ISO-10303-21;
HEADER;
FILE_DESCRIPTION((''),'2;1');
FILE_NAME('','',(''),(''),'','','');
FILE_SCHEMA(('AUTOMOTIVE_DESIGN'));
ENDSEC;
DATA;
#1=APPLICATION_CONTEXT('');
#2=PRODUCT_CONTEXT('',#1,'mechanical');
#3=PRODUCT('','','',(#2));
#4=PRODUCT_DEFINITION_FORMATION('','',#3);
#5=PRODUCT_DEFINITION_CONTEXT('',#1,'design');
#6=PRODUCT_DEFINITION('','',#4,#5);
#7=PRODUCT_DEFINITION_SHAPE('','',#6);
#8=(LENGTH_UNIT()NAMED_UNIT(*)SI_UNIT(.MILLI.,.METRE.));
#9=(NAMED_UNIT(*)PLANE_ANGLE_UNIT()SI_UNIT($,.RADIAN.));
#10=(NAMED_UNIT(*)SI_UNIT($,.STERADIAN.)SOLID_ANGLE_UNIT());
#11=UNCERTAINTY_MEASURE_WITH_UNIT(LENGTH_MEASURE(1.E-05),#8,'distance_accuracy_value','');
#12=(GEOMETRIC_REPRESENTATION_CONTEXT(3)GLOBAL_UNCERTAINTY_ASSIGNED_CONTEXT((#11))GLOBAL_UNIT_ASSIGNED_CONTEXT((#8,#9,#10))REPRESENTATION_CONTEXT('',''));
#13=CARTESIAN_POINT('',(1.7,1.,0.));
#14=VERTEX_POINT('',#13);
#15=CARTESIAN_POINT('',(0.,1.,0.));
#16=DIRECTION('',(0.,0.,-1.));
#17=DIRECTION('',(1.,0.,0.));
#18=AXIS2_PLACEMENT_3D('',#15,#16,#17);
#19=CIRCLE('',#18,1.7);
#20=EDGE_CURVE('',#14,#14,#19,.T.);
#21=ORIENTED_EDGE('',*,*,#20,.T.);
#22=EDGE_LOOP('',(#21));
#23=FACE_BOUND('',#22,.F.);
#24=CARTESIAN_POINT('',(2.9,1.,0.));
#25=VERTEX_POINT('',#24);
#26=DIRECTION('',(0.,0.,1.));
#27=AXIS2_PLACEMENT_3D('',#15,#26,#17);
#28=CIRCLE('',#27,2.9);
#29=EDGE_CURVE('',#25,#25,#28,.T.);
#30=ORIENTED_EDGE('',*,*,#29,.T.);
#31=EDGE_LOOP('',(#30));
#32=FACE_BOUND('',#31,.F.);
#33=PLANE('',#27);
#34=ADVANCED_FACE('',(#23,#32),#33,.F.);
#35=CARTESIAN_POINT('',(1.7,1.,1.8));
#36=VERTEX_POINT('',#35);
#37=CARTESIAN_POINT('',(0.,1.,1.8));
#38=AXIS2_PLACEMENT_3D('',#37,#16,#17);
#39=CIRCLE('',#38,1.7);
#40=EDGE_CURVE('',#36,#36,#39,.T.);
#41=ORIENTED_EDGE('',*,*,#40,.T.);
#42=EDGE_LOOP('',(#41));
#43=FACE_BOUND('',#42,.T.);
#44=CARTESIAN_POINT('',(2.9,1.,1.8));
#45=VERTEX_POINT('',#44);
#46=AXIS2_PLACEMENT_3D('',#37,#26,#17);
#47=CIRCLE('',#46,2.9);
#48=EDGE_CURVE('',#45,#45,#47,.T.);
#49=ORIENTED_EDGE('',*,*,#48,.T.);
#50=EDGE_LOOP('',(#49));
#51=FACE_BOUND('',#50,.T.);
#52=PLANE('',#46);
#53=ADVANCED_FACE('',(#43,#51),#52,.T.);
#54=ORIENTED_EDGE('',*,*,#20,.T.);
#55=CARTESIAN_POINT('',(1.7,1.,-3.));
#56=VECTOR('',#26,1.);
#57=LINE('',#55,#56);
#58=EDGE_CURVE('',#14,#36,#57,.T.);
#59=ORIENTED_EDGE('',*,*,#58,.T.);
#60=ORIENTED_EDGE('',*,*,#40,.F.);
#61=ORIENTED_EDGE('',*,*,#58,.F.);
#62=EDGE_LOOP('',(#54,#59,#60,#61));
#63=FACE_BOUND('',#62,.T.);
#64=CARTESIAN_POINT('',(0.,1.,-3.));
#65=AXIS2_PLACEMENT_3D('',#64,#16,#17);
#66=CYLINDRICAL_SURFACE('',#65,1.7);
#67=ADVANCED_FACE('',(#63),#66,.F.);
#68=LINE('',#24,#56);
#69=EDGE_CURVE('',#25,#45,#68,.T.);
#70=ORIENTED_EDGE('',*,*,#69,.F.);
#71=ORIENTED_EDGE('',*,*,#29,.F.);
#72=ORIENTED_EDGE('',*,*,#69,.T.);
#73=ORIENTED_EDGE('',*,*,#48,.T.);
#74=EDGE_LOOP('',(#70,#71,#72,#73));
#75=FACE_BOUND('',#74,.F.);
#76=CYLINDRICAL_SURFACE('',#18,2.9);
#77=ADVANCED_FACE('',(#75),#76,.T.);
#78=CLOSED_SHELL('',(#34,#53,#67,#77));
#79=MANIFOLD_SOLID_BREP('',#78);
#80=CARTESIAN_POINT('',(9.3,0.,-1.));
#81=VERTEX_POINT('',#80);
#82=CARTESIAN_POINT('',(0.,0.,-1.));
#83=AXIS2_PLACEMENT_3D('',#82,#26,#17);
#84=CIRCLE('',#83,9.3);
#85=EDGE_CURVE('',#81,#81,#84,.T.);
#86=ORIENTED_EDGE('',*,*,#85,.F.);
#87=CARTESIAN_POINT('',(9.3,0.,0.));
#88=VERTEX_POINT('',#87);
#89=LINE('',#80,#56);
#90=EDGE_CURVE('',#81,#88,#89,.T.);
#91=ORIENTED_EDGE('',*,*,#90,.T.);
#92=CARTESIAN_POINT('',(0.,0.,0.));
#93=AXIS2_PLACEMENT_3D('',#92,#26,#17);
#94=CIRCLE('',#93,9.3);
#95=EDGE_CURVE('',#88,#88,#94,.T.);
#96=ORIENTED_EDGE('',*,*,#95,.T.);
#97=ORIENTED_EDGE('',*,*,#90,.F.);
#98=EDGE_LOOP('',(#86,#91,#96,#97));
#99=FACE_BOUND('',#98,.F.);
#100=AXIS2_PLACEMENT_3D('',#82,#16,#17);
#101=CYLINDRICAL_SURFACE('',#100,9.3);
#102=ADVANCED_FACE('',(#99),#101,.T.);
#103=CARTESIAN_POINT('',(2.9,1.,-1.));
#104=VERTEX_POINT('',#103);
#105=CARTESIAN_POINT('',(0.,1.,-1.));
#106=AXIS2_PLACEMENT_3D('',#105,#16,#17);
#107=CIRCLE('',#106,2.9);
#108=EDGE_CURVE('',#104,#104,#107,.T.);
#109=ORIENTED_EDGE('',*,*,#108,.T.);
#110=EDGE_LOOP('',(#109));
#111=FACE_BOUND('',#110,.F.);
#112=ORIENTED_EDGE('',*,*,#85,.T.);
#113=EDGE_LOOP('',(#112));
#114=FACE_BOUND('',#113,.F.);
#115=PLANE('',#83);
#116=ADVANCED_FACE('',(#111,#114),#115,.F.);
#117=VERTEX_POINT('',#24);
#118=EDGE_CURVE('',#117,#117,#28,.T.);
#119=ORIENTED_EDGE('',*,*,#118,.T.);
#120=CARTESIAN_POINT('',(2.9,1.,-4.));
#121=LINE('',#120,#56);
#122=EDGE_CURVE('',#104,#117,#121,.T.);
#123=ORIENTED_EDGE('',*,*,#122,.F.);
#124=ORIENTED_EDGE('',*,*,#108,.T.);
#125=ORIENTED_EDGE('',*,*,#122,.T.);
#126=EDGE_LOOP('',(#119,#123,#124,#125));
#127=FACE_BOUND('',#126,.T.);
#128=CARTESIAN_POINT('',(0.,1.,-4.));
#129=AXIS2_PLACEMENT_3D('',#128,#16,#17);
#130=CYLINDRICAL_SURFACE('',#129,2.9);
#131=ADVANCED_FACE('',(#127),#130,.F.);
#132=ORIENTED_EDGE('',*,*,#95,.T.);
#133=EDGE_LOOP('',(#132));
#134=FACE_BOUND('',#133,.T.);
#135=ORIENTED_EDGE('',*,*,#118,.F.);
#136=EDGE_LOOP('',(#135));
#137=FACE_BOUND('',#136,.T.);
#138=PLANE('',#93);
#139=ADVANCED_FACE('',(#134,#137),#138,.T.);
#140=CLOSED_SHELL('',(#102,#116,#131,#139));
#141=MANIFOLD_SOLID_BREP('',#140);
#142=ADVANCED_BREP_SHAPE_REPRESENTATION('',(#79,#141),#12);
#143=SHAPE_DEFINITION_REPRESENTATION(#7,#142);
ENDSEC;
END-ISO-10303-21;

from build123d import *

# Parameters (mm, degrees)
CYLINDER005_R     = 2
CYLINDER005_DEPTH = 10
CYLINDER004_R     = 1.7
CYLINDER004_DEPTH = 10
CYLINDER003_R     = 2.9
CYLINDER003_DEPTH = 7.8
CYLINDER_R        = 9.3
CYLINDER_DEPTH    = 1
CYLINDER002_R     = 1.7
CYLINDER002_DEPTH = 6
CYLINDER001_R     = 2.9
CYLINDER001_DEPTH = 1.8


with BuildPart() as cilindro005:
    # Cylinder005 → Cylinder005 (new body)
    with BuildSketch(Plane(origin=(0, 1, -4), x_dir=(1, 0, 0), z_dir=(0, 0, 1))):
        Circle(CYLINDER005_R)
    extrude(amount=CYLINDER005_DEPTH)


with BuildPart() as cilindro004:
    # Cylinder004 → Cylinder004 (new body)
    with BuildSketch(Plane.XY.offset(-3)):
        Circle(CYLINDER004_R)
    extrude(amount=CYLINDER004_DEPTH)


with BuildPart() as cut001:
    # Cylinder003 → Cylinder003 (new body)
    with BuildSketch(Plane.XY):
        Circle(CYLINDER003_R)
    extrude(amount=CYLINDER003_DEPTH)

    # Cut001: cut Cilindro004
    add(cilindro004.part, mode=Mode.SUBTRACT)


with BuildPart() as cut001_1:
    # Cut001 placement: moved
    add(cut001.part.moved(Location((0, 1, -4))))


with BuildPart() as cut003:
    # Cylinder → Cylinder (new body)
    with BuildSketch(Plane.XY.offset(-1)):
        Circle(CYLINDER_R)
    extrude(amount=CYLINDER_DEPTH)

    # Cut002: cut Cut001
    add(cut001_1.part, mode=Mode.SUBTRACT)

    # Cut003: cut Cilindro005
    add(cilindro005.part, mode=Mode.SUBTRACT)


with BuildPart() as cilindro002:
    # Cylinder002 → Cylinder002 (new body)
    with BuildSketch(Plane.XY.offset(-3)):
        Circle(CYLINDER002_R)
    extrude(amount=CYLINDER002_DEPTH)


with BuildPart() as fusion:
    # Cylinder001 → Cylinder001 (new body)
    with BuildSketch(Plane.XY):
        Circle(CYLINDER001_R)
    extrude(amount=CYLINDER001_DEPTH)

    # Cut: cut Cilindro002
    add(cilindro002.part, mode=Mode.SUBTRACT)


with BuildPart() as fusion_1:
    # Cut placement: moved
    add(fusion.part.moved(Location((0, 1, 0))))

    # Fusion: union Cut003
    add(cut003.part)


solid = fusion_1.part
